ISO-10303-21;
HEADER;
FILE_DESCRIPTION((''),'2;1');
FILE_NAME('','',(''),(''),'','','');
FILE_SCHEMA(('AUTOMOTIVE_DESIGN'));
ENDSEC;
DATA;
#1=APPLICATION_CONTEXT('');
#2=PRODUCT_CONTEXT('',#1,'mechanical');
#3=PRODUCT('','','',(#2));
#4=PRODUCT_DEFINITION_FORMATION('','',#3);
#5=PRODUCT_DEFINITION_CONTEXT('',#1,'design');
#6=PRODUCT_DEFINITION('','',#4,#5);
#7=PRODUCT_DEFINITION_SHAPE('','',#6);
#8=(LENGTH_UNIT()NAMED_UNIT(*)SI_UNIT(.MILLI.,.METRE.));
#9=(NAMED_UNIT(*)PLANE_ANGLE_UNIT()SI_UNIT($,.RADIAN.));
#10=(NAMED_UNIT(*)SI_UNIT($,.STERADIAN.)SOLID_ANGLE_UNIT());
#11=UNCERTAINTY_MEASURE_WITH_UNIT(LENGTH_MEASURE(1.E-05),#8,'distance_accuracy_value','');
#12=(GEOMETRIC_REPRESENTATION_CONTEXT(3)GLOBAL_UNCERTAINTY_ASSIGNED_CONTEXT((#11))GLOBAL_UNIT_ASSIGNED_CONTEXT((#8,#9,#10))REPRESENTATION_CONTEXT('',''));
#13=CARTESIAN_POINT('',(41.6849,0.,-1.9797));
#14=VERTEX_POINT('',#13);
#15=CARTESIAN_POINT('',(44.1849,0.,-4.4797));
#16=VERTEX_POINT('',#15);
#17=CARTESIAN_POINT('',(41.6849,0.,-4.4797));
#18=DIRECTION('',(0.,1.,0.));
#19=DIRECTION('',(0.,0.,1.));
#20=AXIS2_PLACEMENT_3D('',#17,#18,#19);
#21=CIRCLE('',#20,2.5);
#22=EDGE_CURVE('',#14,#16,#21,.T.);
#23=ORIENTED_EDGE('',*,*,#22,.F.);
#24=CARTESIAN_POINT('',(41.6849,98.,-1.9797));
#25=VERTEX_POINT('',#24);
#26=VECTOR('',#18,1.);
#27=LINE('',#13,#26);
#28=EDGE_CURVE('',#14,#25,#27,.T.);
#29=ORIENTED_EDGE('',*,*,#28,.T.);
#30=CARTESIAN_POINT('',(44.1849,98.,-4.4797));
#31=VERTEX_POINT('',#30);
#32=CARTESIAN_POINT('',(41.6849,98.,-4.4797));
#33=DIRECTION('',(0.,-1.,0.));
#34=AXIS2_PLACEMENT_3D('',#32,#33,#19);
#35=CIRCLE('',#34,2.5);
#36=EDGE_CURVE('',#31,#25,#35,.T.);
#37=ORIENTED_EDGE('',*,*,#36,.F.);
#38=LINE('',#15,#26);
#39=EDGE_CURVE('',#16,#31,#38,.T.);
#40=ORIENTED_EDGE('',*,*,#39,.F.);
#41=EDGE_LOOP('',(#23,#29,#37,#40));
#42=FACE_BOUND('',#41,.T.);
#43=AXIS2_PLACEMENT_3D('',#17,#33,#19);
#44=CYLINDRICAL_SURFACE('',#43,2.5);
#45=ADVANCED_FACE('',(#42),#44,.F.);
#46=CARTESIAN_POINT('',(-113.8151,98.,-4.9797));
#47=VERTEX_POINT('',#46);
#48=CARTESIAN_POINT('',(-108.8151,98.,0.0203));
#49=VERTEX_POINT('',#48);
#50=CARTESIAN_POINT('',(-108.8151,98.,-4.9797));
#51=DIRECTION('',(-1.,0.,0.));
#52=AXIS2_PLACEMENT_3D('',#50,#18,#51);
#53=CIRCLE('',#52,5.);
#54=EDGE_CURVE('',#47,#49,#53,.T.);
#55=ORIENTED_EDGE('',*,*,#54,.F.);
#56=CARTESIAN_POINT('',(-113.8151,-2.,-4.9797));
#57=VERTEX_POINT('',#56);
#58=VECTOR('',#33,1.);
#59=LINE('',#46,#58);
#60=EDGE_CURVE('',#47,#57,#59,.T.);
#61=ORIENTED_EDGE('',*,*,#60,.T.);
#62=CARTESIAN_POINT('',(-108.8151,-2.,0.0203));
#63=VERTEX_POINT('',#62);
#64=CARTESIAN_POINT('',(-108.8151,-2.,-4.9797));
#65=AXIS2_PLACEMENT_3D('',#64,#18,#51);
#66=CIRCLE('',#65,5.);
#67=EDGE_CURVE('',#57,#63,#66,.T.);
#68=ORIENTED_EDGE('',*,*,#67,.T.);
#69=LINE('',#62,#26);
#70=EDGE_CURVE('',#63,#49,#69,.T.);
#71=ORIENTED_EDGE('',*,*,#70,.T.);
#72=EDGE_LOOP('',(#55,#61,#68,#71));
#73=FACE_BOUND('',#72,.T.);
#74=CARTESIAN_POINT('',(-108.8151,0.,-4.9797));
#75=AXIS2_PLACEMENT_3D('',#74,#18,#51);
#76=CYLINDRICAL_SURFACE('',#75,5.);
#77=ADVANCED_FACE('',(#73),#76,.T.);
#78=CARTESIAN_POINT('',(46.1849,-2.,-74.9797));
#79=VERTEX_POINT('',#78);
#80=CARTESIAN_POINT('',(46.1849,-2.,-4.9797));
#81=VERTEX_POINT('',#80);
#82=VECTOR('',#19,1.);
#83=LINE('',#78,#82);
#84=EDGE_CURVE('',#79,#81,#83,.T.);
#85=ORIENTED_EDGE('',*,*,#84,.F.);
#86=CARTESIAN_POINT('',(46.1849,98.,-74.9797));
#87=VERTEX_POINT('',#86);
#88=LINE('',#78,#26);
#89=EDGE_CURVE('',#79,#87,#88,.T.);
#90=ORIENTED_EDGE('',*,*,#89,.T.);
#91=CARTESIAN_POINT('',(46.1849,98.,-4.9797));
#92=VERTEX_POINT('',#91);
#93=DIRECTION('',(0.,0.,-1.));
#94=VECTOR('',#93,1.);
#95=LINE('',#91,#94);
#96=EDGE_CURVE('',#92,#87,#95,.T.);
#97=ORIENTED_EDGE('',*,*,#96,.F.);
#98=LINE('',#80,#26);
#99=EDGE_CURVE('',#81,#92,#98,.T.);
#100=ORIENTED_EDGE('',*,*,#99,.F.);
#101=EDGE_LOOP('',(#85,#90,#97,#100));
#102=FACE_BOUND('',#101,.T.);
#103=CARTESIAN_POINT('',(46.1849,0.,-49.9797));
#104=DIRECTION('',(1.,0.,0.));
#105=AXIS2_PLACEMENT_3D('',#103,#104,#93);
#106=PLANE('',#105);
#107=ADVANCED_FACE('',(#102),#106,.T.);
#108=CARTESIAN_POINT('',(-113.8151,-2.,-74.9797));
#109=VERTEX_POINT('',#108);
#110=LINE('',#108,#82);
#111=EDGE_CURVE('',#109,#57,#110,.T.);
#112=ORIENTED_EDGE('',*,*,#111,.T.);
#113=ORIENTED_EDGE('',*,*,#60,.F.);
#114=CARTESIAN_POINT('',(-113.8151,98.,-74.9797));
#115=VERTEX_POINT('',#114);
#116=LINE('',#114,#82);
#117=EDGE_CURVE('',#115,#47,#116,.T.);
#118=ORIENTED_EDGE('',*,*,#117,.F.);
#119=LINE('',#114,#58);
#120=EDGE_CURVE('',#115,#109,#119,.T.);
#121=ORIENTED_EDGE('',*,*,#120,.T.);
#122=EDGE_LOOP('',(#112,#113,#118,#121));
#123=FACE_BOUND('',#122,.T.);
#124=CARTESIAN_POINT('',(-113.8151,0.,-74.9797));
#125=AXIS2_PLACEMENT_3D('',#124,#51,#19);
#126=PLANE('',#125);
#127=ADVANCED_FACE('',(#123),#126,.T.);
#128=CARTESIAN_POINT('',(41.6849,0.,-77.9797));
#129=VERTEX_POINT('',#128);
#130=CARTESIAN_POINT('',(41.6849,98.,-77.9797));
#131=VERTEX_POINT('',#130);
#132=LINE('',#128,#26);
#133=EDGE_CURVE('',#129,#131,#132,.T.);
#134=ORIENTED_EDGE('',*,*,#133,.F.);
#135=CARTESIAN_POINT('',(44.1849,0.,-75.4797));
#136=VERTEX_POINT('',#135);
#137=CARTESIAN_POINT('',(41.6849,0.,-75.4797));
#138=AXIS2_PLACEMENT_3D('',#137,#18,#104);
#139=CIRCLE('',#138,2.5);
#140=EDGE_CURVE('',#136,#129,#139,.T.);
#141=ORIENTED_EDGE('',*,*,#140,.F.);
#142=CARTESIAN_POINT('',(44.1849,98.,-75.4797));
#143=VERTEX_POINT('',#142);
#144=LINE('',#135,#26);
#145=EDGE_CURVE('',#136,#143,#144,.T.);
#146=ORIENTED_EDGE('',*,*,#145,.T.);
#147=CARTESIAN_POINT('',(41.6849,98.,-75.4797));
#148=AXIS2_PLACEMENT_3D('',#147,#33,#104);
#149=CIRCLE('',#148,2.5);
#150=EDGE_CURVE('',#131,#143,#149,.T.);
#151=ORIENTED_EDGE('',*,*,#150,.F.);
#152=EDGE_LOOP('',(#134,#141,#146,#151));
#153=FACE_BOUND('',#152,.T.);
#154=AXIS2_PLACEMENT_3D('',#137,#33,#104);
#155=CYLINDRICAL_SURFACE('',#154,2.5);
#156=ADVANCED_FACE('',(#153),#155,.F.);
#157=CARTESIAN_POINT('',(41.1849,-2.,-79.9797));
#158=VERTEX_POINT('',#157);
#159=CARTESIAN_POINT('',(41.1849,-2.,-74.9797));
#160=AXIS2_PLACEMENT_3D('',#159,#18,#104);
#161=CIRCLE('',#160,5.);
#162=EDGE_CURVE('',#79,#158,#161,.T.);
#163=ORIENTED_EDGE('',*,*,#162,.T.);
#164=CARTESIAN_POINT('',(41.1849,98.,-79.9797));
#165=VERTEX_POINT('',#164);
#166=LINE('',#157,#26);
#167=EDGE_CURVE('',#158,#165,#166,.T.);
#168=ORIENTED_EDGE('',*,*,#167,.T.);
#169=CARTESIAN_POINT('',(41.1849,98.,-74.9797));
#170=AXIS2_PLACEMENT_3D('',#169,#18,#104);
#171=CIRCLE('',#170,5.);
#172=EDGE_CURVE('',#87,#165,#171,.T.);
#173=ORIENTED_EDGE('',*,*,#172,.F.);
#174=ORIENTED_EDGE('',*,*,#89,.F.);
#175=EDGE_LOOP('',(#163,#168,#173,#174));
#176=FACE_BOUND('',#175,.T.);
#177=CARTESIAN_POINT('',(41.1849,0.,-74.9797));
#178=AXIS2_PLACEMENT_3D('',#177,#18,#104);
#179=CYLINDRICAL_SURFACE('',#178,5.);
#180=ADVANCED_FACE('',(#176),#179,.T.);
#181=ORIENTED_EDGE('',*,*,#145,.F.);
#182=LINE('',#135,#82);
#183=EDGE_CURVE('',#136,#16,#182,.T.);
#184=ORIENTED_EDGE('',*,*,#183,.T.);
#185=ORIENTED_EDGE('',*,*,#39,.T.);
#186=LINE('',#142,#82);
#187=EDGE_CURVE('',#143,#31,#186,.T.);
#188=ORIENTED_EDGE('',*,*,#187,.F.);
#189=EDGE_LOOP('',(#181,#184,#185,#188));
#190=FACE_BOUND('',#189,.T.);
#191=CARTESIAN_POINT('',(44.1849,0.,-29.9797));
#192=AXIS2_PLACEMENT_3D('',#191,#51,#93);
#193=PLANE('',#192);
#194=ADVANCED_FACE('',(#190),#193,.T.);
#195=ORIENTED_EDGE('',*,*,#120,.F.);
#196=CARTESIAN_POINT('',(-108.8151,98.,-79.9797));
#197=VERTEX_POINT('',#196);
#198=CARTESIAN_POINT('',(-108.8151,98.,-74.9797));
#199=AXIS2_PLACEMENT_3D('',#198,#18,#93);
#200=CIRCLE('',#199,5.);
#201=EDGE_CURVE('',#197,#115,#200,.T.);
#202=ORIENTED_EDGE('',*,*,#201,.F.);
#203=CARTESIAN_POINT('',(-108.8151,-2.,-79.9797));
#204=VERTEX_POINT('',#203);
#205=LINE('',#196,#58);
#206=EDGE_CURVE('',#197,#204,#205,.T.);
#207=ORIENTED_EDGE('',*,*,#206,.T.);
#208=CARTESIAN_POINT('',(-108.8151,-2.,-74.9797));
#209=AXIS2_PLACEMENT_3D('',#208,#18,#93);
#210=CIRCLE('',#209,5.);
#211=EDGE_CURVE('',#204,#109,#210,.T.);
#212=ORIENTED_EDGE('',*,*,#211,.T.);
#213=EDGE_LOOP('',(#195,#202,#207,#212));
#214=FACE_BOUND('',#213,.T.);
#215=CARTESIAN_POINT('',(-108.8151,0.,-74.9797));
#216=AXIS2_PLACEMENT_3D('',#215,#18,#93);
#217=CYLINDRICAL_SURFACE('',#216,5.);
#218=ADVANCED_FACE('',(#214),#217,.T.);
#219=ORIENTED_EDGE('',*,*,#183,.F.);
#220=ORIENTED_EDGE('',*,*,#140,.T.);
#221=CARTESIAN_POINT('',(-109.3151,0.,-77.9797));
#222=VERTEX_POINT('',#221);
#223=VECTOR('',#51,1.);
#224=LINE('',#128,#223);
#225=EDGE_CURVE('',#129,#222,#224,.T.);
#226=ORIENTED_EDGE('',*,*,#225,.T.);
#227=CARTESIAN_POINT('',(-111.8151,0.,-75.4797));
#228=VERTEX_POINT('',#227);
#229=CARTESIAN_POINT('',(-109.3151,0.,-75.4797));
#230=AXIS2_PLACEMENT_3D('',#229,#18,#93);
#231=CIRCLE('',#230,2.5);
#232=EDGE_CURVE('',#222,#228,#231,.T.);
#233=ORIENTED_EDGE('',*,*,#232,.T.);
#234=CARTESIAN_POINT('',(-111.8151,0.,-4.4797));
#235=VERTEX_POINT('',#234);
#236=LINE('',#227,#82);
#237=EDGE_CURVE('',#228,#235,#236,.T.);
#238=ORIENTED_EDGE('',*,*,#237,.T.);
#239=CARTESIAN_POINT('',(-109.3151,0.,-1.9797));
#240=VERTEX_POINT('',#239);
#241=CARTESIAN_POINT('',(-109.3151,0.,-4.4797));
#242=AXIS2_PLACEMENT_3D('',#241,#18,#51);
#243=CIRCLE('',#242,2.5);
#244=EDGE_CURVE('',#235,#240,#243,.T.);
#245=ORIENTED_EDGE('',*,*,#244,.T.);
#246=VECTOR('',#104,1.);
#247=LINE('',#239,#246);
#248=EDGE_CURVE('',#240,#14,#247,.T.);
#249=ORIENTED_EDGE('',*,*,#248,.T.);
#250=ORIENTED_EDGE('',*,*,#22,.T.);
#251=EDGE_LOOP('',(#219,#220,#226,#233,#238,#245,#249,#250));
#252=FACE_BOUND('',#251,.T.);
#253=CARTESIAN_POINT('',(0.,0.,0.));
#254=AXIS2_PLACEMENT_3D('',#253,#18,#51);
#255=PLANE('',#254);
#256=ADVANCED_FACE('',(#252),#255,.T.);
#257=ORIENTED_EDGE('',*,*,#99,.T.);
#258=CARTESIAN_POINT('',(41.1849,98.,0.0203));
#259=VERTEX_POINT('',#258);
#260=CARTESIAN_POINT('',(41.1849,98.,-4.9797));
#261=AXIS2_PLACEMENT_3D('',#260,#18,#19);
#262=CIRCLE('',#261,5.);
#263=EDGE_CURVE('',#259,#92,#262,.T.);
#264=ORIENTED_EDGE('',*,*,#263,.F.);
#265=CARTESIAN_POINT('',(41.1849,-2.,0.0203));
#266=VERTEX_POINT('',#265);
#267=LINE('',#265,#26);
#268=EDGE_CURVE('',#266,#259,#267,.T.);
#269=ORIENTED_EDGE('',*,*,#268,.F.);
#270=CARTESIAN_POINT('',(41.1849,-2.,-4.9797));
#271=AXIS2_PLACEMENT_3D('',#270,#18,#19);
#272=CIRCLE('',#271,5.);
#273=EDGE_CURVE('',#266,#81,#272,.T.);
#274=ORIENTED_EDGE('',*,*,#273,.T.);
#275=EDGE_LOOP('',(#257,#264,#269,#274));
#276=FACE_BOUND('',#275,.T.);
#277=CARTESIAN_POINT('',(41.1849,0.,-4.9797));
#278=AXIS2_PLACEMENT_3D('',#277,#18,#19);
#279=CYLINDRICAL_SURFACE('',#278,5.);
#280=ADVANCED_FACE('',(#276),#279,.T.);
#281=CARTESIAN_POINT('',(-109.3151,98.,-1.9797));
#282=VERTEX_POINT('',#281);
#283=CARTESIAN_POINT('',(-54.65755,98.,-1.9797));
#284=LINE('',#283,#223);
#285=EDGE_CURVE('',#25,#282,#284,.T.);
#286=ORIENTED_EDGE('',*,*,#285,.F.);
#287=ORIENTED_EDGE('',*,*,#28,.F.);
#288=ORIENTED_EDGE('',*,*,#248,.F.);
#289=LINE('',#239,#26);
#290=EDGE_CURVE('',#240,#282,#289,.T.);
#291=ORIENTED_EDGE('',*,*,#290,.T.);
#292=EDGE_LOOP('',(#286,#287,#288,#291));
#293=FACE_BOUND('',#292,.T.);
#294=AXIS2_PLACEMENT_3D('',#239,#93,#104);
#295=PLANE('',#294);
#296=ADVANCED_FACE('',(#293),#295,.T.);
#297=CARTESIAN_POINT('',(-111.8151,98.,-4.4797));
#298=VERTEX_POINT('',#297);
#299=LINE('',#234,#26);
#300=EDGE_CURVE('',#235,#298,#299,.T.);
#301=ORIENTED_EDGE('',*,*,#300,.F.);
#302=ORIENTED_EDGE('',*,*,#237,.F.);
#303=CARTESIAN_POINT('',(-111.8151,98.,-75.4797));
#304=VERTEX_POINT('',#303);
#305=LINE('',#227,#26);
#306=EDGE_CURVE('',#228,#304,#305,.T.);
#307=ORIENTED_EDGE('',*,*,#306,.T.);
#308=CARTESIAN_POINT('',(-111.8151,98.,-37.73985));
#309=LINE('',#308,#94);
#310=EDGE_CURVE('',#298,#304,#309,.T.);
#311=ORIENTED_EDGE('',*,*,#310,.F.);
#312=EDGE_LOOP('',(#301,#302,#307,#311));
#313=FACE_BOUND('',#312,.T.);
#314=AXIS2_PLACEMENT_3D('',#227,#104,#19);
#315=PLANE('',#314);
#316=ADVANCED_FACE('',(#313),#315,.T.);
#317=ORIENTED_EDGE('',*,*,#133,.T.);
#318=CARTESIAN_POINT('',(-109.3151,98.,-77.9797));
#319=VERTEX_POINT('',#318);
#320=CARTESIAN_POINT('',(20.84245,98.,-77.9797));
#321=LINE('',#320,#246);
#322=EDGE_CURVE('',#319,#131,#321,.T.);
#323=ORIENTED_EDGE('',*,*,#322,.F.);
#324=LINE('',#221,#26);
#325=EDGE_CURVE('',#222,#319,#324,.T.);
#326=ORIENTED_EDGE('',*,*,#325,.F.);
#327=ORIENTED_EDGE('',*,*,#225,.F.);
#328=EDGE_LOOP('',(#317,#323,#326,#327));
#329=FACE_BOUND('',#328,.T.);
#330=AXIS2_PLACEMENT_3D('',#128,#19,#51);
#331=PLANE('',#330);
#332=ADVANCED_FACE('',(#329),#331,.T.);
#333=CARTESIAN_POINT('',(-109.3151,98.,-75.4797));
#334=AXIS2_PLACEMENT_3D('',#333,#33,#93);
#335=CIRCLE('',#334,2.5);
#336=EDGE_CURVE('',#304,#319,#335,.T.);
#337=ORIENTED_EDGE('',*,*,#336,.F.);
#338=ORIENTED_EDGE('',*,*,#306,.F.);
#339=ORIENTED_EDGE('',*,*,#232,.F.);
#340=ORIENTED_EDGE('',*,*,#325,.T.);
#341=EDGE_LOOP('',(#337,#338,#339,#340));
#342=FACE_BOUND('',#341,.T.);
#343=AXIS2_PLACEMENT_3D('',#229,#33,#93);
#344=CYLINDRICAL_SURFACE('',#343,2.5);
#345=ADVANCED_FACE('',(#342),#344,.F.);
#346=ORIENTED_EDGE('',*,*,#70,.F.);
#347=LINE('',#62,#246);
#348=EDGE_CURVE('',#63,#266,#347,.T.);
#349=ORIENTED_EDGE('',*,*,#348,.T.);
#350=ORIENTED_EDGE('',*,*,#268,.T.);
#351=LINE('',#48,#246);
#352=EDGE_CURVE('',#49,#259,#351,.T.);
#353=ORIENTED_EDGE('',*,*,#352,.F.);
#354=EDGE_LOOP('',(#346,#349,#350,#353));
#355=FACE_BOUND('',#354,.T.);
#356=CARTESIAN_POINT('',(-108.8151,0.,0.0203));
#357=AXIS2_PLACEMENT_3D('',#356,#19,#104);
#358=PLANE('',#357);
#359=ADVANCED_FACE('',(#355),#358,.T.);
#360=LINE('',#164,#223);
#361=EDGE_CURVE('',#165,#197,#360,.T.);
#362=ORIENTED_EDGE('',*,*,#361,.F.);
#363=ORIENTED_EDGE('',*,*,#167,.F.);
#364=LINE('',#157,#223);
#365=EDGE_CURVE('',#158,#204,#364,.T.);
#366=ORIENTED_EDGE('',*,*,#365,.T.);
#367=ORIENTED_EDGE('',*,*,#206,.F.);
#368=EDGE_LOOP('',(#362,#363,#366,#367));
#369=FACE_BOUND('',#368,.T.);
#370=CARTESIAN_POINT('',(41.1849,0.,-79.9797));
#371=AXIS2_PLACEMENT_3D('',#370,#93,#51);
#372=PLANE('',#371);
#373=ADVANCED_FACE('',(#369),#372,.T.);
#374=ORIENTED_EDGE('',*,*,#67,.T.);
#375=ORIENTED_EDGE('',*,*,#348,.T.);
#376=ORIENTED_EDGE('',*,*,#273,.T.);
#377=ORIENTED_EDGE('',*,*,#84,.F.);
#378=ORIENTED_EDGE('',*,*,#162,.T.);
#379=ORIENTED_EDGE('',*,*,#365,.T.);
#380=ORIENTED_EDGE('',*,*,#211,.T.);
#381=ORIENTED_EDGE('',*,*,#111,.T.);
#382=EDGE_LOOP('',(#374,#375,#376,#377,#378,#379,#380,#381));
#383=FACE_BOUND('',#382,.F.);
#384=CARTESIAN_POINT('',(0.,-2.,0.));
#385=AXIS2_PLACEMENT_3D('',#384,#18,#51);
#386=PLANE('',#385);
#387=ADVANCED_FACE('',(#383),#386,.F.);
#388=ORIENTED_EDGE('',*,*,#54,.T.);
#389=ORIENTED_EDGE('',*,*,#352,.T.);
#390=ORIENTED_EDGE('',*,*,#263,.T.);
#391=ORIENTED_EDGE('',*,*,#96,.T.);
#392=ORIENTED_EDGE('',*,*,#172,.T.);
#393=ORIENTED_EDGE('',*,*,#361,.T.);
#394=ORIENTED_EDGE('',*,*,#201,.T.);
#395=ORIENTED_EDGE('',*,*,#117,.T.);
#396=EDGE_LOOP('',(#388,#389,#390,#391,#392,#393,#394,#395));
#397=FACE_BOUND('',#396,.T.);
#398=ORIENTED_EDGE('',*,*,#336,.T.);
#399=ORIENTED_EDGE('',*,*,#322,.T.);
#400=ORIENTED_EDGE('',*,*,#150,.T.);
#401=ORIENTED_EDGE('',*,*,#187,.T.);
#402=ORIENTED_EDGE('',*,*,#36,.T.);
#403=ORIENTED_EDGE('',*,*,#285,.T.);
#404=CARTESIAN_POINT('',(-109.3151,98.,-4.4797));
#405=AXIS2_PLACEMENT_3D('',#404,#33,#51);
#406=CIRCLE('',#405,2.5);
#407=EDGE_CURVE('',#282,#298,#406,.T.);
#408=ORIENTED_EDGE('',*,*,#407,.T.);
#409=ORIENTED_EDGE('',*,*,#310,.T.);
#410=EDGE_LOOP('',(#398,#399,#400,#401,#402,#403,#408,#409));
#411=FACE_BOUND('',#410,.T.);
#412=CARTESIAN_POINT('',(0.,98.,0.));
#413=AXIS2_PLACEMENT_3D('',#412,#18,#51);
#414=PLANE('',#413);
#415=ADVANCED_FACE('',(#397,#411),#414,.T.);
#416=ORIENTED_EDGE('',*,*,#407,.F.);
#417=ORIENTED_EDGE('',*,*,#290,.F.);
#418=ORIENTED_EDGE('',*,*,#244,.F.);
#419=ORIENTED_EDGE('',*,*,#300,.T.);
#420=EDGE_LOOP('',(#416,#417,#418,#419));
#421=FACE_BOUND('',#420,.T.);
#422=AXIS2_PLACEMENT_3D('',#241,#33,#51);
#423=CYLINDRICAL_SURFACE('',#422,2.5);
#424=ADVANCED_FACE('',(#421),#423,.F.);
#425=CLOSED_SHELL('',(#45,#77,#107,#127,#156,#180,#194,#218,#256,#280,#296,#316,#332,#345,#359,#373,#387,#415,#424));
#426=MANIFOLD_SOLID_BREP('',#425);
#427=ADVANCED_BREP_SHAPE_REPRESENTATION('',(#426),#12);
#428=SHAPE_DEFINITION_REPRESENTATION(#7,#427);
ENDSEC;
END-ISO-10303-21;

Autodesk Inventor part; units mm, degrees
ref_plane "YZ Plane" through (0, 0, 0) normal (1, 0, 0) x (0, 1, 0)
ref_plane "XZ Plane" through (0, 0, 0) normal (0, 1, 0) x (-1, 0, 0)
ref_plane "XY Plane" through (0, 0, 0) normal (0, 0, 1) x (1, 0, 0)
sketch "BaseBottom" plane through (0, 0, 0) normal (0, 1, 0) x (-1, 0, 0)
  line L0 (108.8151, 0.0203) -> (-41.1849, 0.0203)
  line L1 (-46.1849, -4.9797) -> (-46.1849, -74.9797)
  line L2 (-41.1849, -79.9797) -> (108.8151, -79.9797)
  line L3 (113.8151, -74.9797) -> (113.8151, -4.9797)
  arc A0 (113.8151, -4.9797) -> (108.8151, 0.0203) centre (108.8151, -4.9797) ccw
  arc A1 (108.8151, -79.9797) -> (113.8151, -74.9797) centre (108.8151, -74.9797) ccw
  arc A2 (-46.1849, -74.9797) -> (-41.1849, -79.9797) centre (-41.1849, -74.9797) ccw
  arc A3 (-41.1849, 0.0203) -> (-46.1849, -4.9797) centre (-41.1849, -4.9797) ccw
  line L4 (109.3151, -1.9797) -> (-41.6849, -1.9797)
  line L5 (-44.1849, -4.4797) -> (-44.1849, -75.4797)
  line L6 (-41.6849, -77.9797) -> (109.3151, -77.9797)
  line L7 (111.8151, -75.4797) -> (111.8151, -4.4797)
  arc A4 (-41.6849, -1.9797) -> (-44.1849, -4.4797) centre (-41.6849, -4.4797) ccw
  arc A5 (-44.1849, -75.4797) -> (-41.6849, -77.9797) centre (-41.6849, -75.4797) ccw
  arc A6 (109.3151, -77.9797) -> (111.8151, -75.4797) centre (109.3151, -75.4797) ccw
  arc A7 (111.8151, -4.4797) -> (109.3151, -1.9797) centre (109.3151, -4.4797) ccw
  line L8 (-46.1849, -29.9797) -> (-44.1849, -29.9797)
  line L9 (-44.1849, -29.9797) -> (-44.1849, -49.9797)
  line L10 (-44.1849, -49.9797) -> (-46.1849, -49.9797)
  line L11 (-46.1849, -49.9797) -> (-46.1849, -29.9797)
  point P0 (-46.1849, -79.9797)
  point P1 (-46.1849, 0.0203)
  point P2 (113.8151, -79.9797)
  point P3 (-44.1849, -77.9797)
  point P4 (-44.1849, -1.9797)
  point P5 (111.8151, -77.9797)
  point P6 (-45.1849, -49.9797)
  dimension "d2" = 160
  dimension "d3" = 80
  dimension "d4" = 5
  dimension "d6" = 156
  dimension "d7" = 76
  dimension "d8" = 2
  dimension "d9" = 2
  dimension "d10" = 2.5
  dimension "d11" = 20
  dimension "d12" = 30
extrude "BaseFloor" add sketch "BaseBottom" against normal blind 2
extrude "BaseFill" add sketch "BaseBottom" along normal blind 98
extrude "BaseHollow" cut sketch "BaseBottom" along normal blind 100 contours L5 A4 L4 A7 L7 A6 L6 A5
properties part number "Base"
